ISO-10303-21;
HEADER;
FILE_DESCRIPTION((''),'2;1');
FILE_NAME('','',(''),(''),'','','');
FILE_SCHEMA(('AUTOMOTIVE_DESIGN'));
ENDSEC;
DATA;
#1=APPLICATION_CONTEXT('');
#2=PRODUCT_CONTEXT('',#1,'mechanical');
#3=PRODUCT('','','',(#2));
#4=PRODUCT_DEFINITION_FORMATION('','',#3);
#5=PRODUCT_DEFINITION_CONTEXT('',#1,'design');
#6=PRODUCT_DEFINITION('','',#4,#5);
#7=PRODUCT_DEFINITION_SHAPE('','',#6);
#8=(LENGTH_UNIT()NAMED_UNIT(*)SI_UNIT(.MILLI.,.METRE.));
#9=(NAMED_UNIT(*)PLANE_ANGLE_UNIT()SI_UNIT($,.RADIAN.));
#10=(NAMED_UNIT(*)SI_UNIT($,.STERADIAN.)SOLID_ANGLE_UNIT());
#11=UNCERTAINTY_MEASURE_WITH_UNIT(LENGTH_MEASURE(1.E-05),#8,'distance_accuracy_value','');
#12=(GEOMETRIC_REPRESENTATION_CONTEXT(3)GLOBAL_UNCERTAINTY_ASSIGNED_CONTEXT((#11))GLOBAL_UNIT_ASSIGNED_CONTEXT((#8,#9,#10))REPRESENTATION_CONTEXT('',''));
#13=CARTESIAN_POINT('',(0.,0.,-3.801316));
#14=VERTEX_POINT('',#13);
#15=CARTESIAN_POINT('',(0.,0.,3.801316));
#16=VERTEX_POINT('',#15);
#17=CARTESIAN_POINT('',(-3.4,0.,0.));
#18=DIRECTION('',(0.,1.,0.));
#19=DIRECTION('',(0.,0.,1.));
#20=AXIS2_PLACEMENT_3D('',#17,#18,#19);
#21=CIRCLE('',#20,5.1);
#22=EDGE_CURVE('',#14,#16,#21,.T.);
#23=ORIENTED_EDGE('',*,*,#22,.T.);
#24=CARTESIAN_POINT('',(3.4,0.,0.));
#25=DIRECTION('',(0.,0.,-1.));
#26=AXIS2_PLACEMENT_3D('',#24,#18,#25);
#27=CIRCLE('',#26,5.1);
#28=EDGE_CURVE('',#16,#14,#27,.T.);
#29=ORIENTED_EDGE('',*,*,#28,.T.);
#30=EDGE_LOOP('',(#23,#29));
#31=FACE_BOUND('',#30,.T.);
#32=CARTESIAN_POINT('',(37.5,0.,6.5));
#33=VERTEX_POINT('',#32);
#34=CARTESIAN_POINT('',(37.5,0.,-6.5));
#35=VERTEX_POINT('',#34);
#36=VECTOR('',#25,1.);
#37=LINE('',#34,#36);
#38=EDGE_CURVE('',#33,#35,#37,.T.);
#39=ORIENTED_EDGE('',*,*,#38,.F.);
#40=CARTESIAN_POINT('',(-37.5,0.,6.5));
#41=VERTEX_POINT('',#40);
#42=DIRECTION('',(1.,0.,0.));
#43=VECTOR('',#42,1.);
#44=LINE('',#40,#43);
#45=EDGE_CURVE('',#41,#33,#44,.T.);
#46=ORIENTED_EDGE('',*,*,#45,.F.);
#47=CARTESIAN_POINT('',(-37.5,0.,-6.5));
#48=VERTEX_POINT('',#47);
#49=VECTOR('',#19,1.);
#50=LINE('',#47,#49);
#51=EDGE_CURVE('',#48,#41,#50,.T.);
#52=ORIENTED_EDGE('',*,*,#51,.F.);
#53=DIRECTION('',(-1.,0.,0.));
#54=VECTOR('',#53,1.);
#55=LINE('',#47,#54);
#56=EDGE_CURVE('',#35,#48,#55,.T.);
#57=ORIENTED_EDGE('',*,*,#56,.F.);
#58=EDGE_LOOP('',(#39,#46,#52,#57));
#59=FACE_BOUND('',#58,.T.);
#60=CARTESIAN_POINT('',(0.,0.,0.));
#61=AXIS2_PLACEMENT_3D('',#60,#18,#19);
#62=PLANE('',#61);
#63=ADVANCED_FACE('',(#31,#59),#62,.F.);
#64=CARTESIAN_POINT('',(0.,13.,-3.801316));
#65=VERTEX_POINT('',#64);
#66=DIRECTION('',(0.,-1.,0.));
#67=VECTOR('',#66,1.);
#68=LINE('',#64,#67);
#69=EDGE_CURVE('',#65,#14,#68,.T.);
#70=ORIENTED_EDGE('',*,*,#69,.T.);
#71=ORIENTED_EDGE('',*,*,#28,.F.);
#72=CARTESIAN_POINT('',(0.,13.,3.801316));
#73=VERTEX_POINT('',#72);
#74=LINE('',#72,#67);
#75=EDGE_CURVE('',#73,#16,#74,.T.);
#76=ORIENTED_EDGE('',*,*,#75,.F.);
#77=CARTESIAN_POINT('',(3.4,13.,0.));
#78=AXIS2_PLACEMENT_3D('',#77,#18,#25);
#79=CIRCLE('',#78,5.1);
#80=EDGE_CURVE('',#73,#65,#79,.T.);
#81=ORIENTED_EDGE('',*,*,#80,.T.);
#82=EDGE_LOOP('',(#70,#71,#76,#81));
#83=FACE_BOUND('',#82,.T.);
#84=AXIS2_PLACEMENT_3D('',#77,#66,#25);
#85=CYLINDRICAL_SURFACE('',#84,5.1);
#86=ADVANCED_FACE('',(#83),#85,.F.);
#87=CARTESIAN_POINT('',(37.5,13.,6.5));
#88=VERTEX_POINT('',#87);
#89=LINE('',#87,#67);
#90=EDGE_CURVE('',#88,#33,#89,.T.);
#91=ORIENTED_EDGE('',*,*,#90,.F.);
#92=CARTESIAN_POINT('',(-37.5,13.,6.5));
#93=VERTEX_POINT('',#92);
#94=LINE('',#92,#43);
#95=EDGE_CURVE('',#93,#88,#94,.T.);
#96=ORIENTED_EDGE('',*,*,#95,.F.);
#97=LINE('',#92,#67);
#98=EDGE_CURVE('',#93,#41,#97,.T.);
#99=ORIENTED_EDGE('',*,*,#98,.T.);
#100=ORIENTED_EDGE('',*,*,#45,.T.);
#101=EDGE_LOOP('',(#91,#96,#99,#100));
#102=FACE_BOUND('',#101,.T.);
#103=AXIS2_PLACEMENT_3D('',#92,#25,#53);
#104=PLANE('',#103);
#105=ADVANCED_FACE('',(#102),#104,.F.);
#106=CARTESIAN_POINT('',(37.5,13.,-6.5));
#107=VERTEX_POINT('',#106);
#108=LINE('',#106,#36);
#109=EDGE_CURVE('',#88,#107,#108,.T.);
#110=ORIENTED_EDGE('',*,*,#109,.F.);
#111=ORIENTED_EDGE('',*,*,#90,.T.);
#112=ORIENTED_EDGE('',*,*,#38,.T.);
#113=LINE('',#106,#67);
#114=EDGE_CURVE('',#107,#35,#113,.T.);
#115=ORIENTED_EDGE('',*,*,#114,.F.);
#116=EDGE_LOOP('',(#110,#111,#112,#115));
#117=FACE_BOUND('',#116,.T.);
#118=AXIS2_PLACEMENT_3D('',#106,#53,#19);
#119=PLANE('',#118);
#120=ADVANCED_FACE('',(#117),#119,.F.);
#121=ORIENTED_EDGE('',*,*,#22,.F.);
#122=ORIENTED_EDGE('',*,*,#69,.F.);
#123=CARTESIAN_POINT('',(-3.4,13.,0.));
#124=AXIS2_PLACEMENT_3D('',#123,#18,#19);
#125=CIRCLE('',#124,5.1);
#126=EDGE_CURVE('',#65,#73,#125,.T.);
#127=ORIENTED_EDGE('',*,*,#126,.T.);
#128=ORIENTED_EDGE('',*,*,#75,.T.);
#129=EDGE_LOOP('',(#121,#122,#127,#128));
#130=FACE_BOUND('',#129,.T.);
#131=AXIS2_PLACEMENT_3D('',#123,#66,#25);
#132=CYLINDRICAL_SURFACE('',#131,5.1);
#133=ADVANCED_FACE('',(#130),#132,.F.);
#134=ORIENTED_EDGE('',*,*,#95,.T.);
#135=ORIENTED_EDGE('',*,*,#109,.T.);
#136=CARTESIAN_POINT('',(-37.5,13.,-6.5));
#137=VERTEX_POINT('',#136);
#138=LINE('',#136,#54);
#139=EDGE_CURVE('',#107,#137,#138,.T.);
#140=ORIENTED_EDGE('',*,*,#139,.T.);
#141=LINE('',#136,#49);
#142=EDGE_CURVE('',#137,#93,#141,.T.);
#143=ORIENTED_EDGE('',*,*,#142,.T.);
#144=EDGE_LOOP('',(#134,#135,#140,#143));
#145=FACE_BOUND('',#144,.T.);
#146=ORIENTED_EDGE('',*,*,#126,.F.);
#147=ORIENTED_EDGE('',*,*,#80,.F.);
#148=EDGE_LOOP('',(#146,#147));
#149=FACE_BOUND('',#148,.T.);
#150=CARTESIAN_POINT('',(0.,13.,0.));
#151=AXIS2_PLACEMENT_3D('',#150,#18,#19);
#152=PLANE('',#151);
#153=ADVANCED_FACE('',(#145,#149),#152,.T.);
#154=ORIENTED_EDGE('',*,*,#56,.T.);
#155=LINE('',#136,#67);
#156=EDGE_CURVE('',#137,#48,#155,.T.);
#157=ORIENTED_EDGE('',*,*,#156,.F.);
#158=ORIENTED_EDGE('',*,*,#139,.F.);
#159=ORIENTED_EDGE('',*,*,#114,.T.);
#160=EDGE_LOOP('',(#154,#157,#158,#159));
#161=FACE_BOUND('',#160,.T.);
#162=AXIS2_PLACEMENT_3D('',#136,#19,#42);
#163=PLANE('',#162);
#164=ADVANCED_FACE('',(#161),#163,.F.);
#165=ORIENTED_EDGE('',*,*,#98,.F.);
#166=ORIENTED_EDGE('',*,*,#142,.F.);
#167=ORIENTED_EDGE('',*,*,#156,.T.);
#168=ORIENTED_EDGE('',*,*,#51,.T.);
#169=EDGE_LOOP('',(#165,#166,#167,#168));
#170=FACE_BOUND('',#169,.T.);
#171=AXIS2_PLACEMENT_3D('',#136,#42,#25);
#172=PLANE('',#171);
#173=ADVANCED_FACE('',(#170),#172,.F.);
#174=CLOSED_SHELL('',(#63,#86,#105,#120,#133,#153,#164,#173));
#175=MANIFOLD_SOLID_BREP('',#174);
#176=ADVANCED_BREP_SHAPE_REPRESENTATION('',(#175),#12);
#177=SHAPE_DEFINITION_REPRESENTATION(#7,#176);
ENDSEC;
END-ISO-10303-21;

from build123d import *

# Parameters (mm, degrees)
SKETCH1_W           = 75
SKETCH1_H           = 13
BOSS_EXTRUDE1_DEPTH = 13


with BuildPart() as part:
    # Sketch1 → Boss-Extrude1 (new body)
    with BuildSketch(Plane(origin=(0, 0, 0), x_dir=(1, 0, 0), z_dir=(0, 1, 0))):
        Rectangle(SKETCH1_W, SKETCH1_H)
        with BuildLine():
            ThreePointArc((0, 3.801315562), (-8.5, 0), (0, -3.801315562))
            ThreePointArc((0, -3.801315562), (8.5, 0), (0, 3.801315562))
        make_face(mode=Mode.SUBTRACT)
    extrude(amount=BOSS_EXTRUDE1_DEPTH)


solid = part.part
